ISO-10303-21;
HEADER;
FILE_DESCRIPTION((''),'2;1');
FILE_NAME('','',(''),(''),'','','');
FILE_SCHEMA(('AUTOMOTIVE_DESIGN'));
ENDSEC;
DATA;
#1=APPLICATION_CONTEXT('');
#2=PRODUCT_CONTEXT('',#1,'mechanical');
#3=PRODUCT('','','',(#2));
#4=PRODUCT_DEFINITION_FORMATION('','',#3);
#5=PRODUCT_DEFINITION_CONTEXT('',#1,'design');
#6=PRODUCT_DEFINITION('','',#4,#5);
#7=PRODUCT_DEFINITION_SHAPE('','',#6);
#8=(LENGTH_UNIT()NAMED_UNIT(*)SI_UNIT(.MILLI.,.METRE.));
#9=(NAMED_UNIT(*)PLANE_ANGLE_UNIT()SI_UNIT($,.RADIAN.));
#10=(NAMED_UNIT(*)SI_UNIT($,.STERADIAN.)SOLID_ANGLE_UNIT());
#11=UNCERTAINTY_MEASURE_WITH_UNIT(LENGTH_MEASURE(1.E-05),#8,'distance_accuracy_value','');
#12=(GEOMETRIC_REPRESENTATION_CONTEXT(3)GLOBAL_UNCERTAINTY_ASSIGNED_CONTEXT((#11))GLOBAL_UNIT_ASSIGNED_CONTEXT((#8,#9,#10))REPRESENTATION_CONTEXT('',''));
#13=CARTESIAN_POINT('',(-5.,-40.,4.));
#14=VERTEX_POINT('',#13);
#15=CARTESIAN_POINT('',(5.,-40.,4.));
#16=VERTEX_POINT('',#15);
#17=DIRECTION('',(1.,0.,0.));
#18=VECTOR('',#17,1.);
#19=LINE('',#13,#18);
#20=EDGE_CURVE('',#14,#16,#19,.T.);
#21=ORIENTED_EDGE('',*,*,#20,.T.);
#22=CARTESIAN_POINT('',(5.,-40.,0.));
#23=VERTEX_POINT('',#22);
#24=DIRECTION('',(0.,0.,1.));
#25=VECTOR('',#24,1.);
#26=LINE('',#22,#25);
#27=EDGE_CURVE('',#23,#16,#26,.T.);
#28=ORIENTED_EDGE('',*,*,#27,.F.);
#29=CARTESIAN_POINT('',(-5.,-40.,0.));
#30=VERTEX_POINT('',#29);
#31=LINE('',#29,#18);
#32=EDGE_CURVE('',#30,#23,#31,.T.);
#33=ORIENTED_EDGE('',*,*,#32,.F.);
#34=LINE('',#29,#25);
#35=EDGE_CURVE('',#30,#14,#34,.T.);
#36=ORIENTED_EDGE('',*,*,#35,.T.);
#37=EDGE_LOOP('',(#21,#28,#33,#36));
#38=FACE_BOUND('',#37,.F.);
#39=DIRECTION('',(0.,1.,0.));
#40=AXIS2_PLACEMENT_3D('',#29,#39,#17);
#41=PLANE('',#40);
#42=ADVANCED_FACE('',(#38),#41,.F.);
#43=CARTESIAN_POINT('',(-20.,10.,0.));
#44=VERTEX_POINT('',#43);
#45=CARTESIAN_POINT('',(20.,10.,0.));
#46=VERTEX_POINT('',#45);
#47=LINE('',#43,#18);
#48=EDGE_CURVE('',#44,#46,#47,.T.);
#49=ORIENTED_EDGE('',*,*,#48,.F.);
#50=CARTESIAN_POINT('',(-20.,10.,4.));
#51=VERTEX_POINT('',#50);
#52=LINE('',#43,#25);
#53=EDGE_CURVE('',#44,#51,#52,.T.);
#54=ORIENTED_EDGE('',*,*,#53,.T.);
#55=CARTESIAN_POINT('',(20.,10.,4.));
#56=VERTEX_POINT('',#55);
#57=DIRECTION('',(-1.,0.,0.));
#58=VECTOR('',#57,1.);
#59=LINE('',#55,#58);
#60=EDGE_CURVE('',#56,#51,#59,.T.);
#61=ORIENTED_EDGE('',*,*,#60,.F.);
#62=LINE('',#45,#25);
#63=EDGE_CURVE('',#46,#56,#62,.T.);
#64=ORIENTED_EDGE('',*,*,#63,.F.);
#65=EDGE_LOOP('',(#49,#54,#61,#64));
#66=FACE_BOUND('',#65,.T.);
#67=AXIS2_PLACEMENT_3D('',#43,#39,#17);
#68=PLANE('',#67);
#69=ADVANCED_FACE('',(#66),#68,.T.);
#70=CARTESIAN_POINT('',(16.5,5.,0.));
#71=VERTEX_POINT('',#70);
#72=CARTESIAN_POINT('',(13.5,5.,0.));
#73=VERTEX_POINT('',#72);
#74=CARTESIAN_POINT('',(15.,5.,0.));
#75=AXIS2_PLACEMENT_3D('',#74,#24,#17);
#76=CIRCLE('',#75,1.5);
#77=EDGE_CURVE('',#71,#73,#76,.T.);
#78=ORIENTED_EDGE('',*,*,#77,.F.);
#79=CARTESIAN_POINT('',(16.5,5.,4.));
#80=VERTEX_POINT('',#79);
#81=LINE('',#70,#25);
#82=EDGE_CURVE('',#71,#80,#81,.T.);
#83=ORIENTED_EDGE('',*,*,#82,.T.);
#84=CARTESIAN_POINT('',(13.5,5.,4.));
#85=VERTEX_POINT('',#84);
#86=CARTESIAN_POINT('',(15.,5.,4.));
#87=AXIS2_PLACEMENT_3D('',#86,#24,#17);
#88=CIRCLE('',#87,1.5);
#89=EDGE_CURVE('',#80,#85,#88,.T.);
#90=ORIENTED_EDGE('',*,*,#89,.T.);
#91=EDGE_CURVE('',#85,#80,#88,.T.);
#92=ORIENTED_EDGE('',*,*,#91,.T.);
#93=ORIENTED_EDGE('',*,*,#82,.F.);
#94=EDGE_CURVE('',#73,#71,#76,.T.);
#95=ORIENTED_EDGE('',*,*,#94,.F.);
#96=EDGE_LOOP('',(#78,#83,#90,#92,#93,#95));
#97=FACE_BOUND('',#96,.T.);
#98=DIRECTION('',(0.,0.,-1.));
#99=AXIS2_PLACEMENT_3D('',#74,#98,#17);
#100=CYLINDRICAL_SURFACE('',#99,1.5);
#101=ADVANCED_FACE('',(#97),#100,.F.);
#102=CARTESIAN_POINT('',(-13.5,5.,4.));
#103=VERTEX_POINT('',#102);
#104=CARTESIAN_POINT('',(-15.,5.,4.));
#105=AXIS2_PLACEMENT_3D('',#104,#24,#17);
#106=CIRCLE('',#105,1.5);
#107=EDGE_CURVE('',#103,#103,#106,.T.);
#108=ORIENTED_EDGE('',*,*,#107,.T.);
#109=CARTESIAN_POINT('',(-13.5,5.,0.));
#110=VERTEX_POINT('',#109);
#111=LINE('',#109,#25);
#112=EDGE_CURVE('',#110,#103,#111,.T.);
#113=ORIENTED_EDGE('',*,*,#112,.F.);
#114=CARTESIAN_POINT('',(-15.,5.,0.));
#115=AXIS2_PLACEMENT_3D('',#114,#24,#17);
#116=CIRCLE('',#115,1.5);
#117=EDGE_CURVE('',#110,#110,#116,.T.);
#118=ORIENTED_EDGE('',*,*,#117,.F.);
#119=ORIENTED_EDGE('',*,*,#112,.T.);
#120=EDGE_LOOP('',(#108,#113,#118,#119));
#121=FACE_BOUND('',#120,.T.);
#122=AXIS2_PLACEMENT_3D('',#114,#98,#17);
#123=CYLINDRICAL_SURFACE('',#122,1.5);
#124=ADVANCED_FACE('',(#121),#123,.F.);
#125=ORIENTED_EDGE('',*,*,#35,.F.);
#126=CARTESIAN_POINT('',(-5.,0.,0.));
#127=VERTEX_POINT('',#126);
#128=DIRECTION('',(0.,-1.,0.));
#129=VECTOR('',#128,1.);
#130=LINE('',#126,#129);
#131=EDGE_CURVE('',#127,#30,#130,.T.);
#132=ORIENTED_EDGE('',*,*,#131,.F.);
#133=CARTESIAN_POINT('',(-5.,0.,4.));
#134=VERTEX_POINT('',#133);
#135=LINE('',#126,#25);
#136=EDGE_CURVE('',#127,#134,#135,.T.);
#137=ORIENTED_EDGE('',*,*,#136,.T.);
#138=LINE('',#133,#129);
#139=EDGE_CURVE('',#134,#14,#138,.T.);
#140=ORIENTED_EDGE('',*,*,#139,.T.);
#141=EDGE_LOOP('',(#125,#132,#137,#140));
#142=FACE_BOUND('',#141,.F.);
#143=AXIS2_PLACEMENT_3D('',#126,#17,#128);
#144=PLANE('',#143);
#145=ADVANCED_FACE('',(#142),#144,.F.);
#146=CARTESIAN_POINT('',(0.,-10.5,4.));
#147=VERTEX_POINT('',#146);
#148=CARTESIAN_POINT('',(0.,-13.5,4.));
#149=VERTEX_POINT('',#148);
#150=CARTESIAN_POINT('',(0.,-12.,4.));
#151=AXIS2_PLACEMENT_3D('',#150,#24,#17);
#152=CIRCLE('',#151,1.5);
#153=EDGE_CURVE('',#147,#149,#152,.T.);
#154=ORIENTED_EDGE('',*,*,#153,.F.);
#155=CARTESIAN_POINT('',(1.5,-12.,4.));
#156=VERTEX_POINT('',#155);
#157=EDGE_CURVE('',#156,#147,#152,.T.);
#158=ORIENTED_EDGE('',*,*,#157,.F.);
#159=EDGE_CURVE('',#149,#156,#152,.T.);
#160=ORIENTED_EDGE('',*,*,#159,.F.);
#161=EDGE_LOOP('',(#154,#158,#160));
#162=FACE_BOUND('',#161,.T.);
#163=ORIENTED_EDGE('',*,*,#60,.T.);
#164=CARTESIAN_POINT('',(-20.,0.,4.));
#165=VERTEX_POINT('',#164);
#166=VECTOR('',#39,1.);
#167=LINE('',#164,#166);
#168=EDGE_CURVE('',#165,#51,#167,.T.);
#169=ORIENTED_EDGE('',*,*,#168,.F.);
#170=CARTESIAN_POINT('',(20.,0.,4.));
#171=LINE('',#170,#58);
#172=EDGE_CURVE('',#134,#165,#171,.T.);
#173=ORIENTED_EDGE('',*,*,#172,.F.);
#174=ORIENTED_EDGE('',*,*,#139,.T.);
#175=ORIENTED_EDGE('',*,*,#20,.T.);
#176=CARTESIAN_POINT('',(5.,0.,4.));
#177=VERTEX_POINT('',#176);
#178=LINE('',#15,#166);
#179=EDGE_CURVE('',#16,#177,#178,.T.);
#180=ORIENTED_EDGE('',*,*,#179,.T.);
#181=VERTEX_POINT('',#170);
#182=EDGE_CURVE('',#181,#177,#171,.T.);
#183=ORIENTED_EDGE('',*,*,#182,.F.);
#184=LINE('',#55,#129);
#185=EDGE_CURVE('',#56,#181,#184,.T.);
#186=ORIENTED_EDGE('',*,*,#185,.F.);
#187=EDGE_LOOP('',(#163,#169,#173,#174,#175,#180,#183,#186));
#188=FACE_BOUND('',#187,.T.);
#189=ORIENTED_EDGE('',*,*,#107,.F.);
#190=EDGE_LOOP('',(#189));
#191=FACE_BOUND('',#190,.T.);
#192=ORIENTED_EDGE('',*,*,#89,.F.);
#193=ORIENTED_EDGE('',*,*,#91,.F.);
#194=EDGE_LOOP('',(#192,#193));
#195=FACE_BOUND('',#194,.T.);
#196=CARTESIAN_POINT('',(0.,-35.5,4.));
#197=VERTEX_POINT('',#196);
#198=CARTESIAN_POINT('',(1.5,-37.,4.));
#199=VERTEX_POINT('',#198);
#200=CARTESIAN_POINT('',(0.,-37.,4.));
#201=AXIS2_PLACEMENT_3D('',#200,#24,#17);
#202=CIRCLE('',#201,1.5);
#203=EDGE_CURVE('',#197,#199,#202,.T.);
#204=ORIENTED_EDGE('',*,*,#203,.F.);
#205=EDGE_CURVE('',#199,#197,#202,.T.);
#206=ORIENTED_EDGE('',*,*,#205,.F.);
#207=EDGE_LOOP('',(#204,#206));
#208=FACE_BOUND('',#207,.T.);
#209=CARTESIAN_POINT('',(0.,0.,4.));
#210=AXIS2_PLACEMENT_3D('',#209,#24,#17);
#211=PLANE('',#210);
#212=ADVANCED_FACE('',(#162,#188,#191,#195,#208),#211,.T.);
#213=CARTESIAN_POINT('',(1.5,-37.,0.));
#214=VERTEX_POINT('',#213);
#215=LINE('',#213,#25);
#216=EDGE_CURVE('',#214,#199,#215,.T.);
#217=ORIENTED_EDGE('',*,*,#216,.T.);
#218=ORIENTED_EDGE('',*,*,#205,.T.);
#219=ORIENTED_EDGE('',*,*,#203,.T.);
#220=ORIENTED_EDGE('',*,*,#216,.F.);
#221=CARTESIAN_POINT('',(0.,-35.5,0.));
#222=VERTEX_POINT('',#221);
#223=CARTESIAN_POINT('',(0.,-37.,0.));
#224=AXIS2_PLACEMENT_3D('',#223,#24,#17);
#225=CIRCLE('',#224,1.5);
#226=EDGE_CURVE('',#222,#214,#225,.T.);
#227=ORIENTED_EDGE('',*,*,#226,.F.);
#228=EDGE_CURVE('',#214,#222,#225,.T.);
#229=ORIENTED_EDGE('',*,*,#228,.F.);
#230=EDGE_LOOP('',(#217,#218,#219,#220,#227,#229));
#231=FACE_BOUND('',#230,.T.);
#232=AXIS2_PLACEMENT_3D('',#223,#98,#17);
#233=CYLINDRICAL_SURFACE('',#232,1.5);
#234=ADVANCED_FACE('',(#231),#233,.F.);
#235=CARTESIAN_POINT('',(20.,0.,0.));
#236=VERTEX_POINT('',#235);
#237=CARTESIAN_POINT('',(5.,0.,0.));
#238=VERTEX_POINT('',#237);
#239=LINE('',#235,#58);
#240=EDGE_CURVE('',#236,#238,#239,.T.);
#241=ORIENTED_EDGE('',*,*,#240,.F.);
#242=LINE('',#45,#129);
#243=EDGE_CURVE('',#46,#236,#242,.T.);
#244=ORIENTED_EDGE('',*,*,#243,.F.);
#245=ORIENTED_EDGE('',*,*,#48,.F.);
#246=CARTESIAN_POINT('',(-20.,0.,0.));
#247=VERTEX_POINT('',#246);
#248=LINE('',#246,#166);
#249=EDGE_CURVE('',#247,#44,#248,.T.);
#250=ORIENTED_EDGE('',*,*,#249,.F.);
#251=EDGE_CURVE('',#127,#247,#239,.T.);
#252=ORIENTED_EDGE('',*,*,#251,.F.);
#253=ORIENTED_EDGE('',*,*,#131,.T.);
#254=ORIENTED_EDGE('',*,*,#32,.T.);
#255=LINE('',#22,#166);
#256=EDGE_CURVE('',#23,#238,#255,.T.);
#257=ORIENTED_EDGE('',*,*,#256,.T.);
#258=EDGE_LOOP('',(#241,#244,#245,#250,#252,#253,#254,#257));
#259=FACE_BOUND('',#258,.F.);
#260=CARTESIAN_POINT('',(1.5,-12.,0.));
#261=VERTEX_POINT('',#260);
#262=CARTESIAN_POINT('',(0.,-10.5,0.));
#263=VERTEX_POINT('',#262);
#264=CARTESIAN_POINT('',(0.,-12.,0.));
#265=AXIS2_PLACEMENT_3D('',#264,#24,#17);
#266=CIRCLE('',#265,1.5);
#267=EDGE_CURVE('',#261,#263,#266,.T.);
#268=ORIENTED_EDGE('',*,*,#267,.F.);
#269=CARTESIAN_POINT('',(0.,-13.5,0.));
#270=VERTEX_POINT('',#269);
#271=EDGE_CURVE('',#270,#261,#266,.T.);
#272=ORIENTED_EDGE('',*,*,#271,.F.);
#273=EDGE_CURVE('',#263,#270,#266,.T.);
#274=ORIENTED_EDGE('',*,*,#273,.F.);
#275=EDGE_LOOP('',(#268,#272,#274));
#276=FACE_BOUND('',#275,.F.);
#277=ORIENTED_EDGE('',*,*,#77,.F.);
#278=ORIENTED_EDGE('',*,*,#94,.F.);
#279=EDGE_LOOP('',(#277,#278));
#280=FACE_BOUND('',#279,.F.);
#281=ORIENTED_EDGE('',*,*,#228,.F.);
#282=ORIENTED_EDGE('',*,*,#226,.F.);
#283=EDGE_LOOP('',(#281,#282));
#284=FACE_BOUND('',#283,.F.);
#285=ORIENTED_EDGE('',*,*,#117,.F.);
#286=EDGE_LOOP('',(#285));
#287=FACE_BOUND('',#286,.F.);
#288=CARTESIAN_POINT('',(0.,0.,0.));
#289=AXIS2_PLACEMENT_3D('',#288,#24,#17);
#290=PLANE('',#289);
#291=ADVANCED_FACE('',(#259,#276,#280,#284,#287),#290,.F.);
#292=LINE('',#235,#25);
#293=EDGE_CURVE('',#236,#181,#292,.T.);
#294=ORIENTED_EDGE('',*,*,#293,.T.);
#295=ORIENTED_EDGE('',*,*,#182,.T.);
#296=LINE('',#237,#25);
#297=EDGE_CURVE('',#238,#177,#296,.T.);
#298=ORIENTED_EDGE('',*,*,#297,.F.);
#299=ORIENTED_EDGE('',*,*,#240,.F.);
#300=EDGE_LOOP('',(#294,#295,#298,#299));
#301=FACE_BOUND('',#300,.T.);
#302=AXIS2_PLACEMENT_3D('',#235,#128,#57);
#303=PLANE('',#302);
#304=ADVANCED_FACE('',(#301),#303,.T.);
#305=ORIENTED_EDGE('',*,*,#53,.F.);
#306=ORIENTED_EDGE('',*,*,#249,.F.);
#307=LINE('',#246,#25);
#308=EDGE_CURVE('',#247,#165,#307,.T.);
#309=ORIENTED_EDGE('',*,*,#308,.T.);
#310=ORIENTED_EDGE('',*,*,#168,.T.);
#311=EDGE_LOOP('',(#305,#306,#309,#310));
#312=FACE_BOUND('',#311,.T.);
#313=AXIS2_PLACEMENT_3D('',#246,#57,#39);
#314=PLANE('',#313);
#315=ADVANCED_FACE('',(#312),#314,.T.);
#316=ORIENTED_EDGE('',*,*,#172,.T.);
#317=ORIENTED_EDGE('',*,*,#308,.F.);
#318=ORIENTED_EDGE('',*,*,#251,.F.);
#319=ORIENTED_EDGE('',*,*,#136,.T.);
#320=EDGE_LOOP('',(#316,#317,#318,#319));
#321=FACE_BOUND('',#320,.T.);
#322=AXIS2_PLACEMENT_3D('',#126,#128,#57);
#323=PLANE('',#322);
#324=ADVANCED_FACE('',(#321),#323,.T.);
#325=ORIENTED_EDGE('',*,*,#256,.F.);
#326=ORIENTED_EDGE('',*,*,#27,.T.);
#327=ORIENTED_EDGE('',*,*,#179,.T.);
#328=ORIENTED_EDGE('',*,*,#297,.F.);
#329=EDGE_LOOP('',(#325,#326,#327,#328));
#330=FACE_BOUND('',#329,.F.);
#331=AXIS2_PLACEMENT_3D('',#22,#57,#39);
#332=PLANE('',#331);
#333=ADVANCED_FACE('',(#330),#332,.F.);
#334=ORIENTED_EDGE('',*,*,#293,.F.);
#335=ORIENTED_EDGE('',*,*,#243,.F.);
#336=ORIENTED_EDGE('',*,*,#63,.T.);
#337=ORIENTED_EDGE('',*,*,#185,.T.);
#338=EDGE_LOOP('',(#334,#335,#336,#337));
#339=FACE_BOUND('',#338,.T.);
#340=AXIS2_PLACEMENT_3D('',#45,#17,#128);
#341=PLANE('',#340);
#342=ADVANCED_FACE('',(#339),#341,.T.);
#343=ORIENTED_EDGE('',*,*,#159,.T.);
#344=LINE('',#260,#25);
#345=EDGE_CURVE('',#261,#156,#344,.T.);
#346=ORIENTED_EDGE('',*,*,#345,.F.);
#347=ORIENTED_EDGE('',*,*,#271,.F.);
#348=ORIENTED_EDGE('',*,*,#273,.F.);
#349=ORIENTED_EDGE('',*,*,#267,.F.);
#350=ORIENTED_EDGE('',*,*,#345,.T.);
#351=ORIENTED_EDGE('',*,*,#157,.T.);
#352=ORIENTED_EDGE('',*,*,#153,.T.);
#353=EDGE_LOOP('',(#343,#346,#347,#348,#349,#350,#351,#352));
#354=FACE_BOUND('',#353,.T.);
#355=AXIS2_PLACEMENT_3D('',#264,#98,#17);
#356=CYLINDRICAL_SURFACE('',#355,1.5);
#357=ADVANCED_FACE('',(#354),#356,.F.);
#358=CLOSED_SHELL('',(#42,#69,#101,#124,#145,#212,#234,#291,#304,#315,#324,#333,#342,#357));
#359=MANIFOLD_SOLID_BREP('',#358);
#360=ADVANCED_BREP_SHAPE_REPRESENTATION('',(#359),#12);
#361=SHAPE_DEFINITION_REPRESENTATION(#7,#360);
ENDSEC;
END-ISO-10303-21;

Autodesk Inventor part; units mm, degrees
ref_plane "YZ Plane" through (0, 0, 0) normal (1, 0, 0) x (0, 1, 0)
ref_plane "XZ Plane" through (0, 0, 0) normal (0, 1, 0) x (-1, 0, 0)
ref_plane "XY Plane" through (0, 0, 0) normal (0, 0, 1) x (1, 0, 0)
sketch "スケッチ1" plane through (0, 0, 0) normal (0, 0, 1) x (1, 0, 0)
  line L0 (0, 0) -> (0, 10)
  line L1 (-20, 10) -> (20, 10)
  line L2 (20, 10) -> (20, 0)
  line L3 (20, 0) -> (-20, 0)
  line L4 (-20, 0) -> (-20, 10)
  line L5 (-20, 10) -> (20, 0) construction
  line L6 (20, 10) -> (-20, 0) construction
  line L7 (0, 5) -> (15, 5)
  line L8 (0, 5) -> (-15, 5)
  circle A0 centre (-15, 5) radius 1.5
  circle A1 centre (15, 5) radius 1.5
  line L9 (0, 0) -> (0, -12)
  line L10 (0, 0) -> (0, -37)
  circle A2 centre (0, -12) radius 1.5
  circle A3 centre (0, -37) radius 1.5
  line L11 (0, 0) -> (5, 0)
  line L12 (5, 0) -> (-5, 0)
  line L13 (-5, 0) -> (-5, -40)
  line L14 (-5, -40) -> (5, -40)
  line L15 (5, -40) -> (5, 0)
  dimension "d0" = 10
  dimension "d1" = 40
  dimension "d2" = 15
  dimension "d3" = 15
  dimension "d4" = 3
  dimension "d5" = 3
  dimension "d6" = 12
  dimension "d7" = 37
  dimension "d8" = 3
  dimension "d9" = 3
  dimension "d10" = 5
  dimension "d11" = 10
  dimension "d12" = 40
extrude "押し出し1" add sketch "スケッチ1" along normal blind 4
properties part number "知能ロボコンファン止め具"
